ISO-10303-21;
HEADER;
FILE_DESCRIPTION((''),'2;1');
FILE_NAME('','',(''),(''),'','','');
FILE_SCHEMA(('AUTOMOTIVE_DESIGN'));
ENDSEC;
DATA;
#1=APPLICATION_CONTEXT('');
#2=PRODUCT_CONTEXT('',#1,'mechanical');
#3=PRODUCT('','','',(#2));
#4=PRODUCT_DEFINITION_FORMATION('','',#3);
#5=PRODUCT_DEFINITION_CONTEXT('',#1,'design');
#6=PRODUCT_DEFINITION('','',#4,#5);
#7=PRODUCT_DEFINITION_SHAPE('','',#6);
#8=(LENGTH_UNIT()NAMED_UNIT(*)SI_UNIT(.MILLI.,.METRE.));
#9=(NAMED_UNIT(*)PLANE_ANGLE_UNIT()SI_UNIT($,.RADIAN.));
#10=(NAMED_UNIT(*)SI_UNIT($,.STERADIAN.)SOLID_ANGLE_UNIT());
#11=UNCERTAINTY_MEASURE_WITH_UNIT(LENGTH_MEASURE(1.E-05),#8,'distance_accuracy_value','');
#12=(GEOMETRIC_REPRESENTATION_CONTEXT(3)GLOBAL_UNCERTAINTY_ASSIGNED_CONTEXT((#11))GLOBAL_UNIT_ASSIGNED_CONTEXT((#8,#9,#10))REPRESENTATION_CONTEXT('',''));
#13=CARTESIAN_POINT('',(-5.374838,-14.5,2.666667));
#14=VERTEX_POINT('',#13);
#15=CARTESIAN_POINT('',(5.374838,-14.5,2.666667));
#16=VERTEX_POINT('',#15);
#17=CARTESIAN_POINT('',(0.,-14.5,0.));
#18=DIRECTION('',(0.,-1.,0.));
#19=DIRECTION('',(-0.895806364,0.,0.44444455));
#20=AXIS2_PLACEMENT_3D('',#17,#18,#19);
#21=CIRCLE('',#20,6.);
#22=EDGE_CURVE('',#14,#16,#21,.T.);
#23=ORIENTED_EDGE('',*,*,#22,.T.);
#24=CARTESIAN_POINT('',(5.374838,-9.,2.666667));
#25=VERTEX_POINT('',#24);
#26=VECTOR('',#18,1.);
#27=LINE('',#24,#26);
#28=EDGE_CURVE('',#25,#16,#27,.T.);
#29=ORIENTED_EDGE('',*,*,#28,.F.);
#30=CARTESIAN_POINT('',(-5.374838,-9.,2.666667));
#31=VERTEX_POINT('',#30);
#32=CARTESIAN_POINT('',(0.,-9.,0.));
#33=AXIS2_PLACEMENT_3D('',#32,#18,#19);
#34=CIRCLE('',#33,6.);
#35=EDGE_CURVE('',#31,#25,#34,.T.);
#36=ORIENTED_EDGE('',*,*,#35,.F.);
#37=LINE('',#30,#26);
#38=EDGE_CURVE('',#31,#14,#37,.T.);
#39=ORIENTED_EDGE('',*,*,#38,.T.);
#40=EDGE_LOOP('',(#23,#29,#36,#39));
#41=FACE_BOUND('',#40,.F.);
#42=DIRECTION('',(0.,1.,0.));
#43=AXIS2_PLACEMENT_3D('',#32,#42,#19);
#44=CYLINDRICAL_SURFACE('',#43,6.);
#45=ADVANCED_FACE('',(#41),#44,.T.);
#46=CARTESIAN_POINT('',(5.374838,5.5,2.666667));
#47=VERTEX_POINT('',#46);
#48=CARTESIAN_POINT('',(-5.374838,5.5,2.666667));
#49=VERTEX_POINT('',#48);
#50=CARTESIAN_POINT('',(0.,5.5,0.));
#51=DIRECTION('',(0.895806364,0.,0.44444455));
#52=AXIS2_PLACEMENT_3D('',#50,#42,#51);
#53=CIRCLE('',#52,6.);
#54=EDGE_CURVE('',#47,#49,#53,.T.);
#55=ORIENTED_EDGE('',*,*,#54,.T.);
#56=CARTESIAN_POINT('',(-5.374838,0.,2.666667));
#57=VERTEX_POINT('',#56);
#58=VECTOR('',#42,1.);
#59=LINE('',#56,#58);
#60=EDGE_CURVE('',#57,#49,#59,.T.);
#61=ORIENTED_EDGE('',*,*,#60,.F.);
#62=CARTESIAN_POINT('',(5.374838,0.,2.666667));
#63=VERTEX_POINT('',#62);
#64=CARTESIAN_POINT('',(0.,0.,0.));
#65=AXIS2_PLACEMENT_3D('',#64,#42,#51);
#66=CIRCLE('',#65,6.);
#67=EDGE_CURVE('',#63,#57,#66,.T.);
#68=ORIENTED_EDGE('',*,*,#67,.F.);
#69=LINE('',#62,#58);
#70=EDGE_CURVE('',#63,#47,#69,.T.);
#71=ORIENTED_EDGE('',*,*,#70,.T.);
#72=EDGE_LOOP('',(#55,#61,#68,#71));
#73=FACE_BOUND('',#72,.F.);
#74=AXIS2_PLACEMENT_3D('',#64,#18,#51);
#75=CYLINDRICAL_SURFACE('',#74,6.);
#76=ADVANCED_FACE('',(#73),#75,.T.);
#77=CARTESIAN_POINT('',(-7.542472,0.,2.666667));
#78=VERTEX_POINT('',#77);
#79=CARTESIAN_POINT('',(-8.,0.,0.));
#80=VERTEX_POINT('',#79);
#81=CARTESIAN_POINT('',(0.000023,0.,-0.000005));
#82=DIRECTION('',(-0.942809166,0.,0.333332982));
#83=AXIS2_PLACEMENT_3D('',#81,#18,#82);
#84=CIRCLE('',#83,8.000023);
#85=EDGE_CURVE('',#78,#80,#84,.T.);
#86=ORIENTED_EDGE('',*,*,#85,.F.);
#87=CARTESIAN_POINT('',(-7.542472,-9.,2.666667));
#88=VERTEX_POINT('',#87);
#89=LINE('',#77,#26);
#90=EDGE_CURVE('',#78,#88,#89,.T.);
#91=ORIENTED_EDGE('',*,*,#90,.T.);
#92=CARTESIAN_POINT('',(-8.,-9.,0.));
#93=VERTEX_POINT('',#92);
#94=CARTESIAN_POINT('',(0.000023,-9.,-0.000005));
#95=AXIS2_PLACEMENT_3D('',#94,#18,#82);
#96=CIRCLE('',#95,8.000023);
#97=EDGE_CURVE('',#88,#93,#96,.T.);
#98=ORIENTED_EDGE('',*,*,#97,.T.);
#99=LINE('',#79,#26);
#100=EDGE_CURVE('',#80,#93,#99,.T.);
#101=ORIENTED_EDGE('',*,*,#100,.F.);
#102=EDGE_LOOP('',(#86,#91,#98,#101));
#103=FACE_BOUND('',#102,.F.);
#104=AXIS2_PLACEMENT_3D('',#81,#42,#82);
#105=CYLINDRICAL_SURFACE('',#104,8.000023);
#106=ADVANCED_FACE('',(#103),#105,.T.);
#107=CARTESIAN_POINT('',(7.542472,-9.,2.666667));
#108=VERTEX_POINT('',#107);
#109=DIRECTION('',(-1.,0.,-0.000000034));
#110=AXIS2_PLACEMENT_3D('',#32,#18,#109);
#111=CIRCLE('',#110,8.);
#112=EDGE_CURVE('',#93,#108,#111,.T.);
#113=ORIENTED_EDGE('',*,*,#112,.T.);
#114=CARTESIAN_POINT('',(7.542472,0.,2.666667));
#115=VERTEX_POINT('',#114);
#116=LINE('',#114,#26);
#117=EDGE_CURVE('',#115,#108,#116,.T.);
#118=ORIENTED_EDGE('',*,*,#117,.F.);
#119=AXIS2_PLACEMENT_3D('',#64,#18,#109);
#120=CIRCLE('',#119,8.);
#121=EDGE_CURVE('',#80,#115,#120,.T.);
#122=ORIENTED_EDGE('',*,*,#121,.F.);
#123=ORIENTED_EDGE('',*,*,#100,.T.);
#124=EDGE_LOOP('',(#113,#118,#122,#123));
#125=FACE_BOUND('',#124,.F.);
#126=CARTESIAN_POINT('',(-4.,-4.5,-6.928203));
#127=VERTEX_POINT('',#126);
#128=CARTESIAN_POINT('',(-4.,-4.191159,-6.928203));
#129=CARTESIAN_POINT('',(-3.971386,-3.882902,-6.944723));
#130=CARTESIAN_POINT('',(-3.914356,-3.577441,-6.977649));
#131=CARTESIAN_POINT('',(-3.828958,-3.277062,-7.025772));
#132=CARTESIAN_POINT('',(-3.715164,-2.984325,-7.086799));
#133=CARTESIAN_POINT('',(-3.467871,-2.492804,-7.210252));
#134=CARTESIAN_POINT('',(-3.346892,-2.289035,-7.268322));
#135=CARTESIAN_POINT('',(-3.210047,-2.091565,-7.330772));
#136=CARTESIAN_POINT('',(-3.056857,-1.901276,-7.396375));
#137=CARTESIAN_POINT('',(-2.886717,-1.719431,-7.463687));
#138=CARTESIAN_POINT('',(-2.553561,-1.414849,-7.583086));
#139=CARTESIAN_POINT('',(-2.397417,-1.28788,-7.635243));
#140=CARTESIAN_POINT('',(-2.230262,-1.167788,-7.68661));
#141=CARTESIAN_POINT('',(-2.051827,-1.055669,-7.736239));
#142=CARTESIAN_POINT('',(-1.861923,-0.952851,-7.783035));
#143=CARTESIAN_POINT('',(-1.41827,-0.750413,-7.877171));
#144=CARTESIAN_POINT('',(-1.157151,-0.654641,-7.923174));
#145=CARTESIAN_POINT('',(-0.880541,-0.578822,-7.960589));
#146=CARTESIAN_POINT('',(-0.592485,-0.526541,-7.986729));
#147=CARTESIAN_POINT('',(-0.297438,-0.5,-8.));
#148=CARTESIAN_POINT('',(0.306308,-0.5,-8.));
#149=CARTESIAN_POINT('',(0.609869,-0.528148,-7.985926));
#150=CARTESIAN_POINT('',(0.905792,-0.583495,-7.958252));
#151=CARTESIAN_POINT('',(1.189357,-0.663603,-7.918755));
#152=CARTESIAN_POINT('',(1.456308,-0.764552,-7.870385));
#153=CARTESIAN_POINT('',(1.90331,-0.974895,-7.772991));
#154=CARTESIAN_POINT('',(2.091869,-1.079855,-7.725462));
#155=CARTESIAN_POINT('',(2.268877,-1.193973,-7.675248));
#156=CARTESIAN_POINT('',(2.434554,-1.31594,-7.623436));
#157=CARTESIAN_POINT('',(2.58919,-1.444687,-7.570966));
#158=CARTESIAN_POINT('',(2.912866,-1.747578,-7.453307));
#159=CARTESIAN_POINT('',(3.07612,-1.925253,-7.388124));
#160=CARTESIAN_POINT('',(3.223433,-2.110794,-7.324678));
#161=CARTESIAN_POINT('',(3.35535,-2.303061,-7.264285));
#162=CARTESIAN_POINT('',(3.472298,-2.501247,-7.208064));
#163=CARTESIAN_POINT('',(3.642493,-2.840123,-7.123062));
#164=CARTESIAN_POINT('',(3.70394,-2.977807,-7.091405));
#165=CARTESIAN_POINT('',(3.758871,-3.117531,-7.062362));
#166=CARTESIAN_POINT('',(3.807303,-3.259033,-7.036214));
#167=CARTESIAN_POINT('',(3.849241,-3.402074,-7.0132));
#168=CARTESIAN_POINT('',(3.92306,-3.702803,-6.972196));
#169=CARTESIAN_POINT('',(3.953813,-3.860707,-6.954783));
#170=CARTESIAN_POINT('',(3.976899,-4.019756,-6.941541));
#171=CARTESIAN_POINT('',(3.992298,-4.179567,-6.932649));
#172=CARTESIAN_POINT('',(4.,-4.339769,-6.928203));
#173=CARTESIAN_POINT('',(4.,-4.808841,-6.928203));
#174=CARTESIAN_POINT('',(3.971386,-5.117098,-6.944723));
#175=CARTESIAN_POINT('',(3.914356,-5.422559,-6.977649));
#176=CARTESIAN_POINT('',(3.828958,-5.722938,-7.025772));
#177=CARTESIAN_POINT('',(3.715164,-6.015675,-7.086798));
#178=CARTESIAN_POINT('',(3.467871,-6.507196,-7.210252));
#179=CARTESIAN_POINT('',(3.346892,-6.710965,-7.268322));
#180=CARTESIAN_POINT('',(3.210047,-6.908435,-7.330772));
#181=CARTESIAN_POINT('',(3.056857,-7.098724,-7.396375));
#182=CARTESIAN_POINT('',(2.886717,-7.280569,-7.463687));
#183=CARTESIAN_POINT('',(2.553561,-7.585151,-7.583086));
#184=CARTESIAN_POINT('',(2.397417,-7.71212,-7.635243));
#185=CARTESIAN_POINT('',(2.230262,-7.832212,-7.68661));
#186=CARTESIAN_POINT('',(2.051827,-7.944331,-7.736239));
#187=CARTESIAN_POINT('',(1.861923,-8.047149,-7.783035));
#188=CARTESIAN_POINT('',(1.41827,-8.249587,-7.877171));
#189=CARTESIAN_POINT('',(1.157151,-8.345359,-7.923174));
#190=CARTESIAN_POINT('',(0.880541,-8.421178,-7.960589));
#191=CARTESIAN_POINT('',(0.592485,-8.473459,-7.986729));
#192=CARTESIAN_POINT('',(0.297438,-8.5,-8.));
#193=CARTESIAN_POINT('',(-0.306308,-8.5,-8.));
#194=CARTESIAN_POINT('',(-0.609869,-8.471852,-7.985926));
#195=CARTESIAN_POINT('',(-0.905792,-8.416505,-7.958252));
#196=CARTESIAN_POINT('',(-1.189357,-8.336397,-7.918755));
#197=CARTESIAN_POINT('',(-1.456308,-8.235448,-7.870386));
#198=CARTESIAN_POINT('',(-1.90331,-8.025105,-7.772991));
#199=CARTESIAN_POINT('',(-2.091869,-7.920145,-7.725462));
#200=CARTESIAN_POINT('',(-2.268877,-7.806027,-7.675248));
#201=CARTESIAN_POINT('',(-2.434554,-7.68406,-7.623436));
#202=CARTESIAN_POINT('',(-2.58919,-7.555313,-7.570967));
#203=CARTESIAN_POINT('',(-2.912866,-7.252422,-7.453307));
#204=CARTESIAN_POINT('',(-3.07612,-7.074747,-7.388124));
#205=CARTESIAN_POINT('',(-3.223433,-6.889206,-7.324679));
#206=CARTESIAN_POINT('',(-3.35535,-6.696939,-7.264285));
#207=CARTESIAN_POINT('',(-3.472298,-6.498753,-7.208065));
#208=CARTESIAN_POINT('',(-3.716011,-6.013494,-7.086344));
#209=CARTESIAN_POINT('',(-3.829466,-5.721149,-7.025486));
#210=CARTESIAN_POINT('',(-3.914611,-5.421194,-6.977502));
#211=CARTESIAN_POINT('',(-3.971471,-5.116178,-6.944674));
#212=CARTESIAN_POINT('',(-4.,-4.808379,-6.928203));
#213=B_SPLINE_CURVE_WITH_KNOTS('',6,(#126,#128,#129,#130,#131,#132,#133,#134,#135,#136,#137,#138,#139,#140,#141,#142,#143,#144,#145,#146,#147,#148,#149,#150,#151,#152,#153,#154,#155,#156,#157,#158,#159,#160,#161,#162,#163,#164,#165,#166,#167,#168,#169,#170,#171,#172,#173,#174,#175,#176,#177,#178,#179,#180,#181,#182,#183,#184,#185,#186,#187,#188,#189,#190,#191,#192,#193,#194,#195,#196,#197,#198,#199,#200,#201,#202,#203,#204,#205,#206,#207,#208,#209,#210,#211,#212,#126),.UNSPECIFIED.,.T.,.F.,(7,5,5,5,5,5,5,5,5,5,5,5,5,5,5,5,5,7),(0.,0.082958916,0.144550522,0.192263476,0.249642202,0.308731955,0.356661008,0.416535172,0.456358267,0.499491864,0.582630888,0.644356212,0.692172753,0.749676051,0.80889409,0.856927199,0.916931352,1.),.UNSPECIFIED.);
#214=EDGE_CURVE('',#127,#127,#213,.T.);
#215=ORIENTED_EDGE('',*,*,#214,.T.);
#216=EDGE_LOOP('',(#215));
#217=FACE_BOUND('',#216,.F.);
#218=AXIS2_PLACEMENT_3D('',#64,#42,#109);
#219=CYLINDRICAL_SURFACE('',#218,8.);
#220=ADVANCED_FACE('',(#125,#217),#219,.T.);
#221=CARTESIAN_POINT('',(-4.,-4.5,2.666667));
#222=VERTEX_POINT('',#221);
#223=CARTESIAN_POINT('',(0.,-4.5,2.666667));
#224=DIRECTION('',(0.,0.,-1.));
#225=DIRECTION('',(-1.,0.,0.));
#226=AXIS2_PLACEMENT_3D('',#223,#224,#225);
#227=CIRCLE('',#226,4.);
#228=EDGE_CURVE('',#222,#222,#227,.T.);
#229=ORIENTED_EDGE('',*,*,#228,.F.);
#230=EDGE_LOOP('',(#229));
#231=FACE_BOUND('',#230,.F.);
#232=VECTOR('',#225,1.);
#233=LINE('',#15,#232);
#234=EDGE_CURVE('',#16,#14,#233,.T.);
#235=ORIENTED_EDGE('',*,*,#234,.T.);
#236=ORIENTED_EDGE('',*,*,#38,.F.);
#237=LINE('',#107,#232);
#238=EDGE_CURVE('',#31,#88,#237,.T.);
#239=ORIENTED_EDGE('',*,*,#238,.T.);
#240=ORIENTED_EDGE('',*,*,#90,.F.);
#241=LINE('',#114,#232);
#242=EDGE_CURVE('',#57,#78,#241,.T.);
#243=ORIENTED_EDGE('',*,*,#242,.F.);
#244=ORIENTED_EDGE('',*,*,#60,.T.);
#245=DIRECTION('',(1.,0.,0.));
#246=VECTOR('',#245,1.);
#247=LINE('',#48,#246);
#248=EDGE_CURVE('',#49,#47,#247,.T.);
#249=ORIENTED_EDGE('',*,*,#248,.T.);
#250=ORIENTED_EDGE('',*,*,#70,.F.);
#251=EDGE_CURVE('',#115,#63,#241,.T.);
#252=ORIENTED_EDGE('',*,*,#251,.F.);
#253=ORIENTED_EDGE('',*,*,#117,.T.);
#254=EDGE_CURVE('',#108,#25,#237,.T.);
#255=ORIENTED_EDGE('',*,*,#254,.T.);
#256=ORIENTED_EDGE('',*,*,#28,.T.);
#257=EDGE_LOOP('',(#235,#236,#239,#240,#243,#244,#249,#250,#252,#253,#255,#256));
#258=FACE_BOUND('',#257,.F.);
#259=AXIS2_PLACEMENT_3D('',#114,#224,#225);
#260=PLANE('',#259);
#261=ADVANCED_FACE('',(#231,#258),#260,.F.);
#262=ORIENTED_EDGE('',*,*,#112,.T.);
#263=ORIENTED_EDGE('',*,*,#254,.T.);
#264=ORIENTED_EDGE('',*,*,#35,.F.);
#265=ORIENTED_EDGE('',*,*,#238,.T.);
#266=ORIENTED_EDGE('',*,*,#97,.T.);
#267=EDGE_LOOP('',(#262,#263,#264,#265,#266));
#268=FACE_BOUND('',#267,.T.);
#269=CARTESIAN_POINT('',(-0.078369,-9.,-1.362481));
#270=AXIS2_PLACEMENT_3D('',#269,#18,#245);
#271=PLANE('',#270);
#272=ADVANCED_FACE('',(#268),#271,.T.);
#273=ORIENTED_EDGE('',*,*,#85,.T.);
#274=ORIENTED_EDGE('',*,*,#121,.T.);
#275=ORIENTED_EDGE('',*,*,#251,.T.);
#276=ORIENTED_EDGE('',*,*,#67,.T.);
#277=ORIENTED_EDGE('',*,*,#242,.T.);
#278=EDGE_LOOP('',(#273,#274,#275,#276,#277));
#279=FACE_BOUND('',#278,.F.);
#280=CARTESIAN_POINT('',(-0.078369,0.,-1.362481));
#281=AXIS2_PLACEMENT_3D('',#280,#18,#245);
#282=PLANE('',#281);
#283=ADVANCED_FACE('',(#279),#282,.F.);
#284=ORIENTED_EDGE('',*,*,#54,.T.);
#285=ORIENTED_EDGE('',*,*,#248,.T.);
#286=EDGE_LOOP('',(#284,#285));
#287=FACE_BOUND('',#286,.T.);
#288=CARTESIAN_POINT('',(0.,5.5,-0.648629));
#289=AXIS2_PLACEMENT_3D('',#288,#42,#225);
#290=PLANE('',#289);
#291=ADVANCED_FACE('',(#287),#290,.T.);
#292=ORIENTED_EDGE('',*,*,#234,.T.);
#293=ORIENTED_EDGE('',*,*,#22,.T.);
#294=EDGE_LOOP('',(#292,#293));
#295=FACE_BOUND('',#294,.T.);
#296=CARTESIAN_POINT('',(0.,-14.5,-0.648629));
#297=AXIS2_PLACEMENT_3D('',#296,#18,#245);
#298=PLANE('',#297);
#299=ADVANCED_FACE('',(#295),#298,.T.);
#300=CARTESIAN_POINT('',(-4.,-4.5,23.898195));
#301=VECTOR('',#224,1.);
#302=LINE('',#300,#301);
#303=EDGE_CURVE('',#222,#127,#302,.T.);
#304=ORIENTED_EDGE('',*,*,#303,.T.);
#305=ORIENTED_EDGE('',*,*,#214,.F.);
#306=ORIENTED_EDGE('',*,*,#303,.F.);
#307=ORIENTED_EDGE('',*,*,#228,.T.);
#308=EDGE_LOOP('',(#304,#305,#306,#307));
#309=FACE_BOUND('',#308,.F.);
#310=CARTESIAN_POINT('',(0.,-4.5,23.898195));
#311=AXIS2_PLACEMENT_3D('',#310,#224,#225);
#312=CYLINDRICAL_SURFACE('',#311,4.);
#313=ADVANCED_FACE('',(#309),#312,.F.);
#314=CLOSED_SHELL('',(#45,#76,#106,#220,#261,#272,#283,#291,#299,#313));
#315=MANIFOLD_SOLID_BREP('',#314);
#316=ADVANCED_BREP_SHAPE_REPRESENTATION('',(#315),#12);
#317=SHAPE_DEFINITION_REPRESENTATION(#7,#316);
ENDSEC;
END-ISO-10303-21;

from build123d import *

# Parameters (mm, degrees)
F1_DEPTH = 9
F3_D     = 8
F5_DEPTH = 5.5
F7_DEPTH = 5.5


with BuildPart() as f1:
    # F0 (on Front) → F1 (new body)
    with BuildSketch(Plane.XZ):
        with BuildLine():
            ThreePointArc((-7.542472, 2.666667), (-7.884788, 1.352816), (-8, 0))
            ThreePointArc((-8, 0), (1.352816, -7.884788), (7.542472, 2.666667))
            Line((7.542472, 2.666667), (-7.542472, 2.666667))
        make_face()
    extrude(amount=F1_DEPTH)

    # F3 (through all)
    with Locations(Plane.XY.offset(2.666667)):
        with Locations((0, -4.5)):
            Hole(F3_D / 2)

    # F4 (on face) → F5 (join)
    with BuildSketch(Plane.XZ.offset(9)):
        with BuildLine():
            Line((5.374838, 2.666667), (-5.374838, 2.666667))
            ThreePointArc((-5.374838, 2.666667), (0, -6), (5.374838, 2.666667))
        make_face()
    extrude(amount=F5_DEPTH)

    # F6 (on face) → F7 (join)
    with BuildSketch(Plane(origin=(0, 0, 0), x_dir=(-1, 0, 0), z_dir=(0, 1, 0))):
        with BuildLine():
            Line((5.374838, 2.666667), (-5.374838, 2.666667))
            ThreePointArc((-5.374838, 2.666667), (0, -6), (5.374838, 2.666667))
        make_face()
    extrude(amount=F7_DEPTH)


solid = f1.part
